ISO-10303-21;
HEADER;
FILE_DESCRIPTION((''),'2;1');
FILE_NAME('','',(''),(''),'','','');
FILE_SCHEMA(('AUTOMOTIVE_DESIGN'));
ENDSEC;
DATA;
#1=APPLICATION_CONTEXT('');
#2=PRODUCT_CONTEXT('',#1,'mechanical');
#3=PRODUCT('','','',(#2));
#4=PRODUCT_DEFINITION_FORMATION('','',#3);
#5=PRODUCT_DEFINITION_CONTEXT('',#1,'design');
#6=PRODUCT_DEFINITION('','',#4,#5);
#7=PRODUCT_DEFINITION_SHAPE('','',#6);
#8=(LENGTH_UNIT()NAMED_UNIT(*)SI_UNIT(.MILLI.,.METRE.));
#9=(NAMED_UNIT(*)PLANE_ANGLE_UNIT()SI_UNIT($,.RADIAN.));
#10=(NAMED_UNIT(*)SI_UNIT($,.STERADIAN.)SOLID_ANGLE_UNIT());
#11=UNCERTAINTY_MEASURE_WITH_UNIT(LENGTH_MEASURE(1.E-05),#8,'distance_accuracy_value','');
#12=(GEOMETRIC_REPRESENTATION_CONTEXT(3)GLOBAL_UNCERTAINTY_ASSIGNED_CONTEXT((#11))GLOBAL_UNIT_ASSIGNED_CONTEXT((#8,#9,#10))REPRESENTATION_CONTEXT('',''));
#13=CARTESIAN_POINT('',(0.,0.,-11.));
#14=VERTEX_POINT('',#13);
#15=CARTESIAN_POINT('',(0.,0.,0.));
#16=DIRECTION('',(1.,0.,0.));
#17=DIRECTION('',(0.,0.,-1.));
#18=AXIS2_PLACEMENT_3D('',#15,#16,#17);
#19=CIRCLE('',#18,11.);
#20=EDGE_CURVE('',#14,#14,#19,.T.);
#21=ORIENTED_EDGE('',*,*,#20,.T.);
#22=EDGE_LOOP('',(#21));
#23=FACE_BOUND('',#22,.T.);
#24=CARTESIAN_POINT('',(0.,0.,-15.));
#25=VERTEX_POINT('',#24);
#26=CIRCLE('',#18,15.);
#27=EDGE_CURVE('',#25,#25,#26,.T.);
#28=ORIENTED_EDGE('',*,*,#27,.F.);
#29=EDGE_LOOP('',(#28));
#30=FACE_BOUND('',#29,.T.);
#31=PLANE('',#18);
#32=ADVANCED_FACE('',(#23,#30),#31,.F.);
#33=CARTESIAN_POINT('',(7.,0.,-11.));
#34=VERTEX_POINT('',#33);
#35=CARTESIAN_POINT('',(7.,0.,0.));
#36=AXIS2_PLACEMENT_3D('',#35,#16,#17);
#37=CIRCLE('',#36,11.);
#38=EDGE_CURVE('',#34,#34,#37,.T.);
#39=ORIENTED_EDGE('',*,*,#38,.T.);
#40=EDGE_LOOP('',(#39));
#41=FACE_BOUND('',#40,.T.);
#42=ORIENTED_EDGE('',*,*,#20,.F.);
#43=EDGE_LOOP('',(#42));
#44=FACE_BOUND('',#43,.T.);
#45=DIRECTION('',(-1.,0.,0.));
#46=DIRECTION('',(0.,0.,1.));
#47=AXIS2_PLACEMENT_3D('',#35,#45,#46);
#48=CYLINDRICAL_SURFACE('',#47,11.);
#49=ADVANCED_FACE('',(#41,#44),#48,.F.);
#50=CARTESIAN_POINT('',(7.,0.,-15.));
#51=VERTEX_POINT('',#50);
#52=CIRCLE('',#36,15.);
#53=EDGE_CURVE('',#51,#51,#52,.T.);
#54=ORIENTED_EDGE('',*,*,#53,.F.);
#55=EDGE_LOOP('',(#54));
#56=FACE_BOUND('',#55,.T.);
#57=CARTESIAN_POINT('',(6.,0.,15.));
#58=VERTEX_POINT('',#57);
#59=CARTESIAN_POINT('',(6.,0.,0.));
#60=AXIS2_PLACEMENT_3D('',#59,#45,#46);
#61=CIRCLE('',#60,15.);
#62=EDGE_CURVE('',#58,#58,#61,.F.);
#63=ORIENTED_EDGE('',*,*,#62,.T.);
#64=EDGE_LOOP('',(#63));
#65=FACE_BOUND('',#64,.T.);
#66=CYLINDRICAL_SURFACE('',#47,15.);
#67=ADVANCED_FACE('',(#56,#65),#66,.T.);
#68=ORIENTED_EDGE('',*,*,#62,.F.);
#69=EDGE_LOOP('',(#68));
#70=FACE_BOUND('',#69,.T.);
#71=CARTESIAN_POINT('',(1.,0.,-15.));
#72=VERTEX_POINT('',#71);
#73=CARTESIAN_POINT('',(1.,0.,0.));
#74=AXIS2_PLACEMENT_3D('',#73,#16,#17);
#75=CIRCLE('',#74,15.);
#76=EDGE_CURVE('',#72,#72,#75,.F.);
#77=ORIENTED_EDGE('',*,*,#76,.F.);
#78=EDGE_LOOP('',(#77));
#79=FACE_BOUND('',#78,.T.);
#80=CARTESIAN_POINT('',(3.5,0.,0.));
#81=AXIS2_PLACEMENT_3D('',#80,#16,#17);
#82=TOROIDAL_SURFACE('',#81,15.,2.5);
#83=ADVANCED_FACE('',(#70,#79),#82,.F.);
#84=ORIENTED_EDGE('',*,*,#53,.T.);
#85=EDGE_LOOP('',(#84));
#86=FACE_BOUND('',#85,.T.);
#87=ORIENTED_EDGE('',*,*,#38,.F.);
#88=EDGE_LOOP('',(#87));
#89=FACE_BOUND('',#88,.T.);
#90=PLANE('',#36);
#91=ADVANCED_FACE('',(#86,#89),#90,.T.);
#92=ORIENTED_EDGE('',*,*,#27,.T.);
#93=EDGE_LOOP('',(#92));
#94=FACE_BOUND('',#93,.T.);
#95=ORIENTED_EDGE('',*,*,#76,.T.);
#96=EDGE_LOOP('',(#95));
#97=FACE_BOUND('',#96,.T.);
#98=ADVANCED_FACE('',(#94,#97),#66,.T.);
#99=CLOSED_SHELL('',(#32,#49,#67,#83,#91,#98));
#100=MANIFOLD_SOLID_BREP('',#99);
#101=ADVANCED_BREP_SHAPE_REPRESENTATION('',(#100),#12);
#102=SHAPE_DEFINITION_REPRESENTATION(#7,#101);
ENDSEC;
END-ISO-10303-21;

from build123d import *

# Parameters (mm, degrees)
ESBO_O1_R                = 15
ESBO_O1_R_2              = 11
RESSALTO_EXTRUS_O1_DEPTH = 7
ESBO_O2_R                = 2.5


with BuildPart() as part:
    # Esboço1 → Ressalto-extrusão1 (new body)
    with BuildSketch(Plane(origin=(0, 0, 0), x_dir=(0, 0, -1), z_dir=(1, 0, 0))):
        Circle(ESBO_O1_R)
        Circle(ESBO_O1_R_2, mode=Mode.SUBTRACT)
    extrude(amount=RESSALTO_EXTRUS_O1_DEPTH)

    # Esboço2 → Corte-Revolução1 (revolve, cut)
    with BuildSketch(Plane.XY):
        with Locations((3.5, 15)):
            Circle(ESBO_O2_R)
    revolve(axis=Axis((7, 0, 0), (-1, 0, 0)), mode=Mode.SUBTRACT)


solid = part.part
